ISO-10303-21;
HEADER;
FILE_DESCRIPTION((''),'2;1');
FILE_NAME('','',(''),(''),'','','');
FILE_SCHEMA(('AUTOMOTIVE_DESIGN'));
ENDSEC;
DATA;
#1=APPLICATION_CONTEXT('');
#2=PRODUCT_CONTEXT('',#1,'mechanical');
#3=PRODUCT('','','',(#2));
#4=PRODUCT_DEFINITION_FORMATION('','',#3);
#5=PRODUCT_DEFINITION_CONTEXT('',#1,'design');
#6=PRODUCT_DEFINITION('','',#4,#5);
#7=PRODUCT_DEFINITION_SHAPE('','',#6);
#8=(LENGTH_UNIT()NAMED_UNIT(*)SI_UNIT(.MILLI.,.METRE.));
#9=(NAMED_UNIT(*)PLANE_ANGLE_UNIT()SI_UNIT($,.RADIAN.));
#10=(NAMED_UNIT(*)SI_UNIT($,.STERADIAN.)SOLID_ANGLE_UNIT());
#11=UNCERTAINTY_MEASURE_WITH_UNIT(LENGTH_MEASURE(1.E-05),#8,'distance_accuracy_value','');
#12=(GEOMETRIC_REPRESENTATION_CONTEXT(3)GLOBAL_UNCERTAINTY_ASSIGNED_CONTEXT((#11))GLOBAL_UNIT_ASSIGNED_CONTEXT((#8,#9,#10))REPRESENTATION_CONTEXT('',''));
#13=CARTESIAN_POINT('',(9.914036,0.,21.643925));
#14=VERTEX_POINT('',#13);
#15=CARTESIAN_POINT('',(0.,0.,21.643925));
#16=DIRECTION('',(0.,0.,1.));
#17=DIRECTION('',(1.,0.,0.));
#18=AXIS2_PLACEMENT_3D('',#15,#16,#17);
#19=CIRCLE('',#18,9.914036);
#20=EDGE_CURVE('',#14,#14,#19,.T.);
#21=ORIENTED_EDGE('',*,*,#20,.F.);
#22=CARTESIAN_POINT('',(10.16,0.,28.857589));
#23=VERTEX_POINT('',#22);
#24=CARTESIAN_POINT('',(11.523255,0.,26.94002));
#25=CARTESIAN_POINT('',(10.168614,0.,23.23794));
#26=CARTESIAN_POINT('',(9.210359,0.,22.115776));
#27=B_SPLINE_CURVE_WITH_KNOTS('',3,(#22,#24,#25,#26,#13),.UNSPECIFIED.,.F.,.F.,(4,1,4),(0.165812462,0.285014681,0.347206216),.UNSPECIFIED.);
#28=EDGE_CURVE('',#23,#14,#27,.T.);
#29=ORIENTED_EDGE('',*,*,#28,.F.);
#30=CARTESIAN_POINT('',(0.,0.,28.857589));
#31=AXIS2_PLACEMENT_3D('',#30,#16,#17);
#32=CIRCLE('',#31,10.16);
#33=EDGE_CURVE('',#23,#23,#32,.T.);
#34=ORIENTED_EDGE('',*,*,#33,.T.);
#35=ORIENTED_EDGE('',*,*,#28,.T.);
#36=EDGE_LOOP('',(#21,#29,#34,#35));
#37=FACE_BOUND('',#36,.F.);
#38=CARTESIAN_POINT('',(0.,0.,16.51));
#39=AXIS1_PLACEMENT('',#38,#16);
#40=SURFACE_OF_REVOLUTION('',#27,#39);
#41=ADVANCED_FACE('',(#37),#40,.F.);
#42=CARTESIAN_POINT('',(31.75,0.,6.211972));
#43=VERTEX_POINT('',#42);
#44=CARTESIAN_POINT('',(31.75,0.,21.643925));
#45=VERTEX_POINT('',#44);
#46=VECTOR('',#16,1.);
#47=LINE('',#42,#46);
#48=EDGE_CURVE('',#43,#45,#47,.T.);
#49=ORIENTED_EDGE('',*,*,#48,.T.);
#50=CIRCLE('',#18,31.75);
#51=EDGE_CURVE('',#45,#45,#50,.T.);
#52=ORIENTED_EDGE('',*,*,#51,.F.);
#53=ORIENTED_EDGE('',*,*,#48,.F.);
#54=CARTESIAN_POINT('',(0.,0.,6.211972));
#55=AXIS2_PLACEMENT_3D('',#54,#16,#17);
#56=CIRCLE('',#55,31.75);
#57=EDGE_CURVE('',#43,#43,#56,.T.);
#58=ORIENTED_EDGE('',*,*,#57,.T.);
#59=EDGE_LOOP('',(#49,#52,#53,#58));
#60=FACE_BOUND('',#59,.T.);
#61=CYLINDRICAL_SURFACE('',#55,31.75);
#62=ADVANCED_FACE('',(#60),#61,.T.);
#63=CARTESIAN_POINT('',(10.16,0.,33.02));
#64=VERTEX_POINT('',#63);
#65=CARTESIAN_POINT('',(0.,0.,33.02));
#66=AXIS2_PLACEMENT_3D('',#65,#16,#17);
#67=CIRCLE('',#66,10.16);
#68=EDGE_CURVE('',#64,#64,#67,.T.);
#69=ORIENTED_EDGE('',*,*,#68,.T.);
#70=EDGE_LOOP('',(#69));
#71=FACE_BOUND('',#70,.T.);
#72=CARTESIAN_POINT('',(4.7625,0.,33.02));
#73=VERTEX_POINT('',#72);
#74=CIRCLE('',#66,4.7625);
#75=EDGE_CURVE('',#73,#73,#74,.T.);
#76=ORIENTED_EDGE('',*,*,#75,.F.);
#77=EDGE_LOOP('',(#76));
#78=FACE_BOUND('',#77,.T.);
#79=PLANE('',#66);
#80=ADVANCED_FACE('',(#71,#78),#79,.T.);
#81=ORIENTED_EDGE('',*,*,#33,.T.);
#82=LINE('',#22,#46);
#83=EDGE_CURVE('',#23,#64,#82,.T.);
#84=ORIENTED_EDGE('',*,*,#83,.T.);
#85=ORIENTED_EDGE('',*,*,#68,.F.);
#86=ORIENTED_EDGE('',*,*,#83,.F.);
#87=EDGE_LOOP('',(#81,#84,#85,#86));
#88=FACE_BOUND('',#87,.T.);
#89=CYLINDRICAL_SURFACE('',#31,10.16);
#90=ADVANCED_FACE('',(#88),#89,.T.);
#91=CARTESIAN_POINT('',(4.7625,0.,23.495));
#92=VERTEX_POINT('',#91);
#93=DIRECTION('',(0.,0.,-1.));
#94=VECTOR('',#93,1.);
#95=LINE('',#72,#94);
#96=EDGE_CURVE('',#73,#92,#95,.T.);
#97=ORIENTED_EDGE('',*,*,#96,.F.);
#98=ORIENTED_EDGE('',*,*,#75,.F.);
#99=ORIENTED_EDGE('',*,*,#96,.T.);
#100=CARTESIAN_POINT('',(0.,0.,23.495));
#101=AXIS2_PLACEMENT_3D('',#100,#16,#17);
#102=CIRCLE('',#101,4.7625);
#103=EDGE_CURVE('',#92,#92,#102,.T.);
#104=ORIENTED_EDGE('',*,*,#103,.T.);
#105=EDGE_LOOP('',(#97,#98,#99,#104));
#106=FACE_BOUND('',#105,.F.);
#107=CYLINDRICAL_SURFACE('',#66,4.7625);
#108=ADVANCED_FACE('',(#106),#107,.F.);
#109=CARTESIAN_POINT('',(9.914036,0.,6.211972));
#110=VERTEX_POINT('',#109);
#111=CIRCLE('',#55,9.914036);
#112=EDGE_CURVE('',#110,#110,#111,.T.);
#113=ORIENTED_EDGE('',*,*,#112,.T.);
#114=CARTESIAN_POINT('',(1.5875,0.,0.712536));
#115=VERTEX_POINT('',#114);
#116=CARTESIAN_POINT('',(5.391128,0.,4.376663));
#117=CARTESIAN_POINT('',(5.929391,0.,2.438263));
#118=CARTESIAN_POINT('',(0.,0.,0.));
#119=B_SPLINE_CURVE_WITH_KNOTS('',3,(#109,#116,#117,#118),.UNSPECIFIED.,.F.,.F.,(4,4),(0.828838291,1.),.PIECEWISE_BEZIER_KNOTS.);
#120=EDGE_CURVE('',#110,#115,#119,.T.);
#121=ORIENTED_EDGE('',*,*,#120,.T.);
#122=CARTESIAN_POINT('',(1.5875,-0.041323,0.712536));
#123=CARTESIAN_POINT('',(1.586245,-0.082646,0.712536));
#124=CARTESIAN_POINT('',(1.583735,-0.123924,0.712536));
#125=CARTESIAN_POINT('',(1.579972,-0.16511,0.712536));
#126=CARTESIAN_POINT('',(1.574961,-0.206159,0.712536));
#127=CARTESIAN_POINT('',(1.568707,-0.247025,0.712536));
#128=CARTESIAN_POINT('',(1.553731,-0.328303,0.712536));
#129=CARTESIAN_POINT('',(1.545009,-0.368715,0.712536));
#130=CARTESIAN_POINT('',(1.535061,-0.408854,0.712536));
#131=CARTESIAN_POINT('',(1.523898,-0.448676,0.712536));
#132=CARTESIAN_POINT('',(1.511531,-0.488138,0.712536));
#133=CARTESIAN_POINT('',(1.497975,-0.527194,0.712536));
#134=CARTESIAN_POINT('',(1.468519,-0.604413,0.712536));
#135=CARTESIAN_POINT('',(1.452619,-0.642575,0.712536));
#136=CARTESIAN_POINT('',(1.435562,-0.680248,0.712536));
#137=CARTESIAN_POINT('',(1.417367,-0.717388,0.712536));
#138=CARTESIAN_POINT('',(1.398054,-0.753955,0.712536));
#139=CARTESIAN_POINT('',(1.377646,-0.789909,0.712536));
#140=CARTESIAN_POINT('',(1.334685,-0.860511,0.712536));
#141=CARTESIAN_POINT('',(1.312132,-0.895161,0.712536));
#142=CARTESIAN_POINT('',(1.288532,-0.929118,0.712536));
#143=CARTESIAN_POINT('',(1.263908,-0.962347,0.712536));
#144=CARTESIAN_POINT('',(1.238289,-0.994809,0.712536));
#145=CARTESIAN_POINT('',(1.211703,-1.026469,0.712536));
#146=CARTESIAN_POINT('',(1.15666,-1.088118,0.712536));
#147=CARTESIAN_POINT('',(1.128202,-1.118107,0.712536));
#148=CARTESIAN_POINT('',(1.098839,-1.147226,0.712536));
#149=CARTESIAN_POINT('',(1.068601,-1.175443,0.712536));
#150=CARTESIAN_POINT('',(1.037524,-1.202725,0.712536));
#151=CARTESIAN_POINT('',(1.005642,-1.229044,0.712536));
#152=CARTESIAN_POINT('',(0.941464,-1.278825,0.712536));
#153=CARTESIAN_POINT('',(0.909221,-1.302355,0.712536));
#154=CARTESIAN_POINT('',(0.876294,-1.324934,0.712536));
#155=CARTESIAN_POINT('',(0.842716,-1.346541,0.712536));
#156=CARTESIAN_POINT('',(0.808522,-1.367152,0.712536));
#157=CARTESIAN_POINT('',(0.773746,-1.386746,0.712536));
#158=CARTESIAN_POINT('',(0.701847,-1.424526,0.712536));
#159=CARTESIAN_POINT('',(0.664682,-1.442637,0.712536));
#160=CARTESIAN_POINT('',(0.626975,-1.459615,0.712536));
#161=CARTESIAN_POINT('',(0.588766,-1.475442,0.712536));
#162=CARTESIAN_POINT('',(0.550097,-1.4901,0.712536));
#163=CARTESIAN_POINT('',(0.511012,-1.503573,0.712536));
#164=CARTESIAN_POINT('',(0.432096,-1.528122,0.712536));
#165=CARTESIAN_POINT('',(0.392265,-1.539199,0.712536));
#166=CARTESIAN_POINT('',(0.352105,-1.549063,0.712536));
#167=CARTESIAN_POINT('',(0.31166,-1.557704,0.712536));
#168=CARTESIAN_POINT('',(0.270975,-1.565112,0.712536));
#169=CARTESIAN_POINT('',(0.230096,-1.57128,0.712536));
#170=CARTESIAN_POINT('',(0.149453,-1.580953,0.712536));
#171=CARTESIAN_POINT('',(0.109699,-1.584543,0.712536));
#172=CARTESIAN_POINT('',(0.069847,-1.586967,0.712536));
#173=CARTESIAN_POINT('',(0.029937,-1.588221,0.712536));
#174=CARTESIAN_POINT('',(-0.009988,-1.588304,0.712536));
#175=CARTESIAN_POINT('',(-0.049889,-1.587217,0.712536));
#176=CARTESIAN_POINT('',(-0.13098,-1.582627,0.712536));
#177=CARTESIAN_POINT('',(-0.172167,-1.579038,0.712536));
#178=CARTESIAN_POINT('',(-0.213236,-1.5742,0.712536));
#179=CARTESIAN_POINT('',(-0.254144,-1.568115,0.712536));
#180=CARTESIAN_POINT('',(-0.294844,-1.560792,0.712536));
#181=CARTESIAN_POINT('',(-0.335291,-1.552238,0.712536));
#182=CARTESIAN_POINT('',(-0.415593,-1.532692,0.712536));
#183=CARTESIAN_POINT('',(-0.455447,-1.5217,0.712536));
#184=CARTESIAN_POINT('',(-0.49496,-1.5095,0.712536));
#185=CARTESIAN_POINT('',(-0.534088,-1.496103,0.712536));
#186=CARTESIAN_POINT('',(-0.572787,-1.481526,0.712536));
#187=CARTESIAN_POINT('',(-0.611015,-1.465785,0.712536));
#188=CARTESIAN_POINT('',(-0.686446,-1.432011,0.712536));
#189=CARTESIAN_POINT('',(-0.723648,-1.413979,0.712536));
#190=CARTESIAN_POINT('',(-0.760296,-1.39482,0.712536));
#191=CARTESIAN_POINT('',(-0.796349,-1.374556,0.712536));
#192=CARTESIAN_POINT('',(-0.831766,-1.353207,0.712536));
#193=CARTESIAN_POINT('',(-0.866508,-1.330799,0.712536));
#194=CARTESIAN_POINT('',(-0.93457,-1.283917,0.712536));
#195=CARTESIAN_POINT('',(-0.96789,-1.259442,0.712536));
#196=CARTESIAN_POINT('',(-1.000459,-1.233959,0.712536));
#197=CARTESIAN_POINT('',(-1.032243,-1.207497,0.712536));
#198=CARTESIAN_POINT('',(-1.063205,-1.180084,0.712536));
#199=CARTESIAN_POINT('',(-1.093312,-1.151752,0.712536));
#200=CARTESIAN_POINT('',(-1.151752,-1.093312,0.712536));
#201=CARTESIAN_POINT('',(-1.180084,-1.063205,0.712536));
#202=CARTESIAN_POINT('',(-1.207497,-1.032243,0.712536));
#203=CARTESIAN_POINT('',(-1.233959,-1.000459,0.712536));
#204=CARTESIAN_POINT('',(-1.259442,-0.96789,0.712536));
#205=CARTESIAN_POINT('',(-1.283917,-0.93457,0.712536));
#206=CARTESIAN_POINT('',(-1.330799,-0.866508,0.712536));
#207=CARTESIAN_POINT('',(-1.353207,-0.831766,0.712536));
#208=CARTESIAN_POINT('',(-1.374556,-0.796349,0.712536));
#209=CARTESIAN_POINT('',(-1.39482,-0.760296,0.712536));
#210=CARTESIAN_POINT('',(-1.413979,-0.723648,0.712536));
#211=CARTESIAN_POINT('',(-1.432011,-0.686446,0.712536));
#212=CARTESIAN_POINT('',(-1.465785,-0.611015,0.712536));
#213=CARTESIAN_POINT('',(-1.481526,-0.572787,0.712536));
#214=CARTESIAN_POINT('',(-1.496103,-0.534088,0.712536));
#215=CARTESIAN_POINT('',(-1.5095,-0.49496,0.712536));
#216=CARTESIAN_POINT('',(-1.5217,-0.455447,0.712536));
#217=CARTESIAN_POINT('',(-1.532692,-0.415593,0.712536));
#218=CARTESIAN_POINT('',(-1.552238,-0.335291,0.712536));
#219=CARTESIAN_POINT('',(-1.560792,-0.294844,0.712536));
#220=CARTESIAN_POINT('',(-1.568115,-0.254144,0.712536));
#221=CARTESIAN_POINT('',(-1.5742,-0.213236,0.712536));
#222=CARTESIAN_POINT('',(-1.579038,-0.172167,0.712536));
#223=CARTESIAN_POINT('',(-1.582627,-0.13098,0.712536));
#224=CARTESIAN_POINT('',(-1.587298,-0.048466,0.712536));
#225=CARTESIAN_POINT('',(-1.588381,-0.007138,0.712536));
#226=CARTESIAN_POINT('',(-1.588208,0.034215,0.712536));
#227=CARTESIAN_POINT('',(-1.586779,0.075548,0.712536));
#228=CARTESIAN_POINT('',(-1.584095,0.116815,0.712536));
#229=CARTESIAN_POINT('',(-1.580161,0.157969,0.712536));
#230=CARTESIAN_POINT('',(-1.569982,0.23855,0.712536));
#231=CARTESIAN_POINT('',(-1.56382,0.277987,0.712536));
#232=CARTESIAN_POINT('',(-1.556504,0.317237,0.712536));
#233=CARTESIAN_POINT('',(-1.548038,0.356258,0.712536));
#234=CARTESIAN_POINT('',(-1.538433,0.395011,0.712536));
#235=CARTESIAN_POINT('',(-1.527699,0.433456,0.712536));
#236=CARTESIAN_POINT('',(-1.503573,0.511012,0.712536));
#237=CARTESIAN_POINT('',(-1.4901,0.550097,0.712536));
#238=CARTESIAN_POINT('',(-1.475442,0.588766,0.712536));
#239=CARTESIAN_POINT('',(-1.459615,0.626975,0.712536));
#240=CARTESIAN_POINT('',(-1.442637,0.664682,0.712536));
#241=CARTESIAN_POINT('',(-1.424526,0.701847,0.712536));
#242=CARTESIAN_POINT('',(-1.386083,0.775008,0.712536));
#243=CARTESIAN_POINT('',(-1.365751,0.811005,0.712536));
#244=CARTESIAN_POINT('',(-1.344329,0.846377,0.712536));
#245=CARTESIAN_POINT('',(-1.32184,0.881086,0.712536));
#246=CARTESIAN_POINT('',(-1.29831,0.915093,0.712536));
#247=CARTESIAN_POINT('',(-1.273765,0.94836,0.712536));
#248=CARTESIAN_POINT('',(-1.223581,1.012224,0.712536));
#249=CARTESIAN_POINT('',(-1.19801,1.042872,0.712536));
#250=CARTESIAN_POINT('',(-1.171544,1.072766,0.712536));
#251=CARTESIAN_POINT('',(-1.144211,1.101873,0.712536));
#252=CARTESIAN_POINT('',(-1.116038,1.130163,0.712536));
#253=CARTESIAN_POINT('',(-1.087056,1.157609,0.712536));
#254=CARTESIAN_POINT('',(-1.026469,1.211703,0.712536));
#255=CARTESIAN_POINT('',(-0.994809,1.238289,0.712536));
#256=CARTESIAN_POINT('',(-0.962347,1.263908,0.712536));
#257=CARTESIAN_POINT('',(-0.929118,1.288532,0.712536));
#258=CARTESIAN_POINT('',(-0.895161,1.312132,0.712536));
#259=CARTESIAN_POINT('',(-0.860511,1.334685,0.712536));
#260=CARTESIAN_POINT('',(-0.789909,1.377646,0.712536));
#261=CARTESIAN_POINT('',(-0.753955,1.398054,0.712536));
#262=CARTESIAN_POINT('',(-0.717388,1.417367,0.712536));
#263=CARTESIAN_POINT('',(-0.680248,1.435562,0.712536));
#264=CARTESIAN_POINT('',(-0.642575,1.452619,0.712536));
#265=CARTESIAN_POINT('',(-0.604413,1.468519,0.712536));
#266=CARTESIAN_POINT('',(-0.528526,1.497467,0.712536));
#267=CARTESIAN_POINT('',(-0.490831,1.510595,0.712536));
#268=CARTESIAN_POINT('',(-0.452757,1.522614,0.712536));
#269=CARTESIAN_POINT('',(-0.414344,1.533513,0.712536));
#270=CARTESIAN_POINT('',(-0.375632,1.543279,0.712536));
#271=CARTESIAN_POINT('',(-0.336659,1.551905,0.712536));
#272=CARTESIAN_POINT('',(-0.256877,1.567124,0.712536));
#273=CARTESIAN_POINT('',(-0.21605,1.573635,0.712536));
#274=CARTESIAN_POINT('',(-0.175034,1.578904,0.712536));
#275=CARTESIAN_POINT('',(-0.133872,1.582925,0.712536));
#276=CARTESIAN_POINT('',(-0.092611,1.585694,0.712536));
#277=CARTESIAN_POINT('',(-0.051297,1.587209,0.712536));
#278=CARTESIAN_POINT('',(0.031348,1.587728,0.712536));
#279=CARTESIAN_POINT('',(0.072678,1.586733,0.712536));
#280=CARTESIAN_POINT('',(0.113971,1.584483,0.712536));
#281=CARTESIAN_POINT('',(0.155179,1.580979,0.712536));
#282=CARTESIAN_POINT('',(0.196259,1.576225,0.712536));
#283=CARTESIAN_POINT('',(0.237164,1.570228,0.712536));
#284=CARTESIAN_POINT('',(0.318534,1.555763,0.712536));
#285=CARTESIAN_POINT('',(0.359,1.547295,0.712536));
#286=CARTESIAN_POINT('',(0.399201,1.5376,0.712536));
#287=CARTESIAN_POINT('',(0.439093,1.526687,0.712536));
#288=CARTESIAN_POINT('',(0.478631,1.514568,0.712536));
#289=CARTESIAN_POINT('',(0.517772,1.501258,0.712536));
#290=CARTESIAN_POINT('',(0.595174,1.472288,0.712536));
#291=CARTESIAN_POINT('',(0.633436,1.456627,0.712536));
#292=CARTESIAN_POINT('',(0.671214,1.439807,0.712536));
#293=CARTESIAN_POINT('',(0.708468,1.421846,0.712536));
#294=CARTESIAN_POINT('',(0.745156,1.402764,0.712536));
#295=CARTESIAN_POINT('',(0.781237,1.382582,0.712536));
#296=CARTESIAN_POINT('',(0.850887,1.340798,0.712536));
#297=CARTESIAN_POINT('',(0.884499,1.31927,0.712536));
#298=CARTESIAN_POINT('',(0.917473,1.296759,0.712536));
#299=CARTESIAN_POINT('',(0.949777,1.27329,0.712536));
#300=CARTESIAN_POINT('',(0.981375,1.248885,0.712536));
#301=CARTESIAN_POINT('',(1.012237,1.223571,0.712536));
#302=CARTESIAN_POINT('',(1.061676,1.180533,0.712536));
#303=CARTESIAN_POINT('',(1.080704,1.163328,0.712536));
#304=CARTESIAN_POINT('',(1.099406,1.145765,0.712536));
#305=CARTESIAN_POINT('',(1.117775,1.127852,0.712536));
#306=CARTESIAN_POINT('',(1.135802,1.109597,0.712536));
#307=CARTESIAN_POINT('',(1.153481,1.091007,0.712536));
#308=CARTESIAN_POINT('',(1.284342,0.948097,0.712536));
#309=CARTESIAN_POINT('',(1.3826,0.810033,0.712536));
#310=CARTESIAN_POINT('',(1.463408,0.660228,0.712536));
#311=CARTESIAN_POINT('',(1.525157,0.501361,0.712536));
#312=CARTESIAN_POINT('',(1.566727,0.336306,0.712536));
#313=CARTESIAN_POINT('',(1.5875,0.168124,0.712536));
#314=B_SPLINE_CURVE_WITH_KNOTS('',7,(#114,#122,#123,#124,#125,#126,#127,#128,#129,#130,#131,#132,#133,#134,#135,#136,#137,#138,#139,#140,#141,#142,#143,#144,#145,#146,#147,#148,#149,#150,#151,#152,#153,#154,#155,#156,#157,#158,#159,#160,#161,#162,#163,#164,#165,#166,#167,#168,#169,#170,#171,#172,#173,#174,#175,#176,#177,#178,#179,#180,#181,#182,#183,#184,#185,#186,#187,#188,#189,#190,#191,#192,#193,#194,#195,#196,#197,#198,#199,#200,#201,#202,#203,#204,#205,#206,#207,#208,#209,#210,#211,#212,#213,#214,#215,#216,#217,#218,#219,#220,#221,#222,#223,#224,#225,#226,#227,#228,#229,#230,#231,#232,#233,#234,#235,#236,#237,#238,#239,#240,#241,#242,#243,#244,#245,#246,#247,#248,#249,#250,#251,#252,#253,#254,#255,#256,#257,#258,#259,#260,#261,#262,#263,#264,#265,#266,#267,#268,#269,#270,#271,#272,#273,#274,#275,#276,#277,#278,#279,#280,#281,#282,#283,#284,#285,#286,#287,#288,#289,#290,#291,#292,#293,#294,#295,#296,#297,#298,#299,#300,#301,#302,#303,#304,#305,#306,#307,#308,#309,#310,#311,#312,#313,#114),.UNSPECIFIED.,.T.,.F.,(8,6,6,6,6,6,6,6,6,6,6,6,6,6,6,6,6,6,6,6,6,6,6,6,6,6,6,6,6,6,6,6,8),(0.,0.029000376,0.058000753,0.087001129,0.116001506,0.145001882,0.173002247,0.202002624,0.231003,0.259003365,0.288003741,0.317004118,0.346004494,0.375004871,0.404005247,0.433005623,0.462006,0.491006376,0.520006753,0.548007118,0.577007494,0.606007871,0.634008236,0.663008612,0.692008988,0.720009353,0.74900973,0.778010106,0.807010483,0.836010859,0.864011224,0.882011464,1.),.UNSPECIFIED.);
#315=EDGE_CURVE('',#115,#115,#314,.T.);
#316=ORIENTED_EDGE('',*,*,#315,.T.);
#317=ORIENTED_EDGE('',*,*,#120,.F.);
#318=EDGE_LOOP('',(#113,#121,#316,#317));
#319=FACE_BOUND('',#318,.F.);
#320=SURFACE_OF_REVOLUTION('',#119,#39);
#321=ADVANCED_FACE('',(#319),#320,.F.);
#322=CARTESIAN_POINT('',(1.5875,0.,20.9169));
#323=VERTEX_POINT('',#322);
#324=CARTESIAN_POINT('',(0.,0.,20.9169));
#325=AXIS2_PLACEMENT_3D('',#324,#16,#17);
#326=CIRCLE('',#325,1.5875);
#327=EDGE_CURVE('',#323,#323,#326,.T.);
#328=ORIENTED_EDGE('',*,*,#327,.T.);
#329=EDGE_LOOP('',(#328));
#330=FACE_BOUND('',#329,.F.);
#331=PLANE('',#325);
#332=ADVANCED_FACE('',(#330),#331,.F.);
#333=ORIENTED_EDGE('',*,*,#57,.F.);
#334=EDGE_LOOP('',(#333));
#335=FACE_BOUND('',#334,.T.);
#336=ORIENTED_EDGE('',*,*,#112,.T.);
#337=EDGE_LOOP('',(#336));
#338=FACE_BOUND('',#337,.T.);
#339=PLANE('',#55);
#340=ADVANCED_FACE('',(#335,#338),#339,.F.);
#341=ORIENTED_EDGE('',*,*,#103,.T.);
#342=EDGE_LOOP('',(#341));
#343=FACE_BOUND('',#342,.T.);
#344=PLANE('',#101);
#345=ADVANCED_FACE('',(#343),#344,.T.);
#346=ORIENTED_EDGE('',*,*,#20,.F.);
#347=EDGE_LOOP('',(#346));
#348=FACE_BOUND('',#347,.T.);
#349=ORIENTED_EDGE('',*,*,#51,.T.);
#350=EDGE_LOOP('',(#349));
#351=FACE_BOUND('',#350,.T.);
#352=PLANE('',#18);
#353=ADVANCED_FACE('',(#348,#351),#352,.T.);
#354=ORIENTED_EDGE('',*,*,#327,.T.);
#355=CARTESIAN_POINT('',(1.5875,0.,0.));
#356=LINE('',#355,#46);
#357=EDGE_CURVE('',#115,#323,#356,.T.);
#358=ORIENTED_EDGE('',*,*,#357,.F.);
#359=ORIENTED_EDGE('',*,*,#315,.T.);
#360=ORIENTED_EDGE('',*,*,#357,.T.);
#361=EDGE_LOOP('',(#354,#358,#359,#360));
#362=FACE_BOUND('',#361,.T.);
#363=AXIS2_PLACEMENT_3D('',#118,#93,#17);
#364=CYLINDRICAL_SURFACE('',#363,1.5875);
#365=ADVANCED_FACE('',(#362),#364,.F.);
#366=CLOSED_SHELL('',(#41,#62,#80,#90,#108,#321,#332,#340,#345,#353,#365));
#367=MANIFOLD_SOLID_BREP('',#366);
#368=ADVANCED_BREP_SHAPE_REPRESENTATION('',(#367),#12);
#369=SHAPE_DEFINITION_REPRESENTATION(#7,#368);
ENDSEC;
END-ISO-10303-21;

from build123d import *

# Parameters (mm, degrees)
F2_R     = 4.7625
F3_DEPTH = 9.525
F4_R     = 1.5875
F5_DEPTH = 20.9169


with BuildPart() as f1:
    # F0 (on Front) → F1 (revolve)
    with BuildSketch(Plane.XZ):
        with BuildLine():
            Line((0, 33.02), (0, 0))
            add(Edge.make_bspline(
                [(9.9140361241, 6.2119723298), (5.3911280841, 4.3766633401), (5.9293914696, 2.4382627623), (0, 0)],
                knots=[0.8288382909, 0.8288382909, 0.8288382909, 0.8288382909, 1, 1, 1, 1], degree=3))
            Line((9.9140361241, 6.2119723298), (9.9140361241, 13.9279487485))
            Line((9.9140361241, 13.9279487485), (9.9140361241, 21.6439251673))
            add(Edge.make_bspline(
                [(10.16, 28.857588768), (11.523254674, 26.9400200202), (10.1686139157, 23.2379404383), (9.2103585852, 22.1157759581), (9.9140361241, 21.6439251673)],
                knots=[0.1658124621, 0.1658124621, 0.1658124621, 0.1658124621, 0.2850146806, 0.3472062164, 0.3472062164, 0.3472062164, 0.3472062164], degree=3))
            add(Edge.make_bspline(
                [(0.6915654728, 33.02), (3.173352175, 32.8639093886), (8.4465738437, 31.2677125048), (10.16, 28.857588768)],
                knots=[0.0159914469, 0.0159914469, 0.0159914469, 0.0159914469, 0.1658124621, 0.1658124621, 0.1658124621, 0.1658124621], degree=3))
            Line((0.6915654728, 33.02), (0, 33.02))
        make_face()
        with BuildLine():
            Line((10.16, 33.02), (0.6915654728, 33.02))
            add(Edge.make_bspline(
                [(0.6915654728, 33.02), (3.173352175, 32.8639093886), (8.4465738437, 31.2677125048), (10.16, 28.857588768)],
                knots=[0.0159914469, 0.0159914469, 0.0159914469, 0.0159914469, 0.1658124621, 0.1658124621, 0.1658124621, 0.1658124621], degree=3))
            Line((10.16, 28.857588768), (10.16, 33.02))
        make_face()
        with BuildLine():
            Line((9.9140361241, 13.9279487485), (9.9140361241, 6.2119723298))
            add(Edge.make_bspline(
                [(31.75, 13.483504906), (30.91482321, 10.9141221863), (15.9329484904, 8.6543310681), (9.9140361241, 6.2119723298)],
                knots=[0.60106286, 0.60106286, 0.60106286, 0.60106286, 0.8288382909, 0.8288382909, 0.8288382909, 0.8288382909], degree=3))
            Line((31.75, 13.483504906), (31.75, 13.9279487485))
            Line((31.75, 13.9279487485), (9.9140361241, 13.9279487485))
        make_face()
        with BuildLine():
            Line((9.9140361241, 21.6439251673), (9.9140361241, 13.9279487485))
            Line((9.9140361241, 13.9279487485), (31.75, 13.9279487485))
            add(Edge.make_bspline(
                [(9.9140361241, 21.6439251673), (12.6387933507, 19.8168399172), (30.8403124733, 16.6836184602), (31.75, 13.9279487485)],
                knots=[0.3472062164, 0.3472062164, 0.3472062164, 0.3472062164, 0.5880222536, 0.5880222536, 0.5880222536, 0.5880222536], degree=3))
        make_face()
        with BuildLine():
            add(Edge.make_bspline(
                [(9.9140361241, 21.6439251673), (12.6387933507, 19.8168399172), (30.8403124733, 16.6836184602), (31.75, 13.9279487485)],
                knots=[0.3472062164, 0.3472062164, 0.3472062164, 0.3472062164, 0.5880222536, 0.5880222536, 0.5880222536, 0.5880222536], degree=3))
            Line((31.75, 13.9279487485), (31.75, 21.6439251673))
            Line((31.75, 21.6439251673), (9.9140361241, 21.6439251673))
        make_face()
        with BuildLine():
            add(Edge.make_bspline(
                [(31.75, 13.483504906), (30.91482321, 10.9141221863), (15.9329484904, 8.6543310681), (9.9140361241, 6.2119723298)],
                knots=[0.60106286, 0.60106286, 0.60106286, 0.60106286, 0.8288382909, 0.8288382909, 0.8288382909, 0.8288382909], degree=3))
            Line((9.9140361241, 6.2119723298), (31.75, 6.2119723298))
            Line((31.75, 6.2119723298), (31.75, 13.483504906))
        make_face()
    revolve(axis=Axis((0, 0, 16.51), (0, 0, 1)))

    # F2 (on face) → F3 (cut)
    with BuildSketch(Plane.XY.offset(33.02)):
        Circle(F2_R)
    extrude(amount=-F3_DEPTH, mode=Mode.SUBTRACT)

    # F4 (on Top) → F5 (cut)
    with BuildSketch(Plane.XY):
        Circle(F4_R)
    extrude(amount=F5_DEPTH, mode=Mode.SUBTRACT)


solid = f1.part
